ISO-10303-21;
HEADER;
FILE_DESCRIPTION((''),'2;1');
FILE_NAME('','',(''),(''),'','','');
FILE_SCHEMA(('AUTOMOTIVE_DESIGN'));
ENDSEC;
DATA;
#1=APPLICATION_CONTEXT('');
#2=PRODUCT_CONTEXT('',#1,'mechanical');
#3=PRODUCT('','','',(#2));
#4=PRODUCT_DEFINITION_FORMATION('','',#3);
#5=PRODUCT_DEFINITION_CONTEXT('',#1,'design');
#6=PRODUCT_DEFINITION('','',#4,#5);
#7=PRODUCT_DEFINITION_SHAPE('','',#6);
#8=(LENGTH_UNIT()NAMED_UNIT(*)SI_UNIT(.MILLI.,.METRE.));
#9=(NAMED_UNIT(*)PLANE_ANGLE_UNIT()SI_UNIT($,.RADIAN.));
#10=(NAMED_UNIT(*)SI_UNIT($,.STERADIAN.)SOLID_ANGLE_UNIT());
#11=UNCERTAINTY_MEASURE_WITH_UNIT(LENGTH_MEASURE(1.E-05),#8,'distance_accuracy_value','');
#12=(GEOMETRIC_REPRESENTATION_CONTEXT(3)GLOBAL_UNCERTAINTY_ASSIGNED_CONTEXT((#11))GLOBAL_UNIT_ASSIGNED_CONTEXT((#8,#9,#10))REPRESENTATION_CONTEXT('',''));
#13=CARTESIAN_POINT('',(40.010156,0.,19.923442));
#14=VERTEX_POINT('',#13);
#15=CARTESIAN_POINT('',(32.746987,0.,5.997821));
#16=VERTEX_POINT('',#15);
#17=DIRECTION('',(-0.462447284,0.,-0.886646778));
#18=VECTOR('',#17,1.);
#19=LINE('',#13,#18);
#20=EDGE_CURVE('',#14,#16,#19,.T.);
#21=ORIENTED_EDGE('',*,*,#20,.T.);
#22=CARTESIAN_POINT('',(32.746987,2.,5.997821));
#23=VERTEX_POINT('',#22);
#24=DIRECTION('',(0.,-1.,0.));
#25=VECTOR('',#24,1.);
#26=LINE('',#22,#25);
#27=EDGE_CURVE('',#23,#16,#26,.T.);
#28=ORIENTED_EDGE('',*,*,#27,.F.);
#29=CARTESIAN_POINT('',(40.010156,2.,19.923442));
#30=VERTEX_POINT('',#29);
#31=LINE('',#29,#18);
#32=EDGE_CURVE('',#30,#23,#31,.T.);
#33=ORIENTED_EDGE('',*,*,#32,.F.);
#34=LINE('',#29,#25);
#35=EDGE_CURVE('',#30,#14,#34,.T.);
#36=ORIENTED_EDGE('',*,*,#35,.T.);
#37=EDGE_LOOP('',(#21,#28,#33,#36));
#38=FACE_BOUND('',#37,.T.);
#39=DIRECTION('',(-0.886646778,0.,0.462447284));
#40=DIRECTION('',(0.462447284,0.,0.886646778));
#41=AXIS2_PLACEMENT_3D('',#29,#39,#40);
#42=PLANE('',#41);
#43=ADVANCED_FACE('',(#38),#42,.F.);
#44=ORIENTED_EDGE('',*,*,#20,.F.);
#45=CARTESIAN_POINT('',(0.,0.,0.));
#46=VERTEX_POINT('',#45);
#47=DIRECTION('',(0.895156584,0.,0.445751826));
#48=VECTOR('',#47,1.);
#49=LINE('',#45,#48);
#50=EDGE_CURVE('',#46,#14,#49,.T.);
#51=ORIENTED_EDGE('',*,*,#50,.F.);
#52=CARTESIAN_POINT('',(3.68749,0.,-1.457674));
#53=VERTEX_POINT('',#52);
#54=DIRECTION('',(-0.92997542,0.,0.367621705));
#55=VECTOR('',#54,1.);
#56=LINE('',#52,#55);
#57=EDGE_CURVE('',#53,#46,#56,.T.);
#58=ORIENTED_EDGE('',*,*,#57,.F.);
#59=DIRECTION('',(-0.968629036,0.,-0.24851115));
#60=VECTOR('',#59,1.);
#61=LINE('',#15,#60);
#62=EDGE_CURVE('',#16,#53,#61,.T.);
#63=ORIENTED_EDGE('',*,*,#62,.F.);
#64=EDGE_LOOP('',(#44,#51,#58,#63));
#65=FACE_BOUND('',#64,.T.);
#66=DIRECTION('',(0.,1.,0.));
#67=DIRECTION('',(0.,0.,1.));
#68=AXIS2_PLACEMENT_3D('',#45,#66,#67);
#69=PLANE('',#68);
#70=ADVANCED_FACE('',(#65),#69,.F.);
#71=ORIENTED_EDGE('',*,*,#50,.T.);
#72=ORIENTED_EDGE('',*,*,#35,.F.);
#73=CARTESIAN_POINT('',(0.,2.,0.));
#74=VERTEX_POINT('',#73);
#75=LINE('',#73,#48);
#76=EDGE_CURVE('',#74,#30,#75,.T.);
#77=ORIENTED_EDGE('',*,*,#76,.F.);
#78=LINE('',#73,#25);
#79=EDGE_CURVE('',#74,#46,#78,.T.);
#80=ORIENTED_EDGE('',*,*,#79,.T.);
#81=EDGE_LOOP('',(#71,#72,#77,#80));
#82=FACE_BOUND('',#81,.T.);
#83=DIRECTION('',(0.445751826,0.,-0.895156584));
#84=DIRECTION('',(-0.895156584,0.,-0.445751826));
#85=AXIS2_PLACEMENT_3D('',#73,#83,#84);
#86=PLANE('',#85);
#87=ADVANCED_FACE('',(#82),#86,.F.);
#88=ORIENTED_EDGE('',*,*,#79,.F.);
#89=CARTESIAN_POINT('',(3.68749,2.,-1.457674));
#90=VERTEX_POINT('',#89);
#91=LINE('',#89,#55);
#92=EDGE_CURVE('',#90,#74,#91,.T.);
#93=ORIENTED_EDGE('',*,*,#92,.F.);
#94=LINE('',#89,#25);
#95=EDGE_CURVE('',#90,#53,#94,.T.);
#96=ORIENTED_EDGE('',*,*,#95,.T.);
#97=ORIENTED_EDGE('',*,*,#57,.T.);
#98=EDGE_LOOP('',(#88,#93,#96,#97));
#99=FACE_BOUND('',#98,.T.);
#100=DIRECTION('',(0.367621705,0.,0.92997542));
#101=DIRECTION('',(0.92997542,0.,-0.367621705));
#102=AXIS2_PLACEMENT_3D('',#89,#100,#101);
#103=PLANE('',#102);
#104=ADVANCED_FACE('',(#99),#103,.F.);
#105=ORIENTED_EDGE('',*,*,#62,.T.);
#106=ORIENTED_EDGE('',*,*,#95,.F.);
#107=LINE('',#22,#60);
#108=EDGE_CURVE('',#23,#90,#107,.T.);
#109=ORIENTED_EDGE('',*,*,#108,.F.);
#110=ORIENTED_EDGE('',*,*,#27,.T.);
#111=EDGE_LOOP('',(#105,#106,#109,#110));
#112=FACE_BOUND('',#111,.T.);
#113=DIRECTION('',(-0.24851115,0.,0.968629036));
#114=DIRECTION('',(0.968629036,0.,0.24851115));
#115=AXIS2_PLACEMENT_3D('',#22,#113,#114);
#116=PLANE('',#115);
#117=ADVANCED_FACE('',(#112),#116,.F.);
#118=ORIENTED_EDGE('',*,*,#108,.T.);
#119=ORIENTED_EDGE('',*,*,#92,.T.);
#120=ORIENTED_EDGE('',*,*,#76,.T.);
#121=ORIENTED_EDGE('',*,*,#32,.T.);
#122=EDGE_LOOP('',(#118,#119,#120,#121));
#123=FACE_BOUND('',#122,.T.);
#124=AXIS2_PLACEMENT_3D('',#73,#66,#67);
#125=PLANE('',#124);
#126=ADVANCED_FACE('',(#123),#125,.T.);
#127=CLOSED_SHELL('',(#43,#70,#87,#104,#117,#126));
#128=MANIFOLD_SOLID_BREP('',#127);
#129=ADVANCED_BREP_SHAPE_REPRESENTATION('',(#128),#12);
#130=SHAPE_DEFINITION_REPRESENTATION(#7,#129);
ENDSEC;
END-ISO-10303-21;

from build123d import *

# Parameters (mm, degrees)
BOSS_EXTRU_1_DEPTH = 2


with BuildPart() as part:
    # Esquisse1 → Boss.-Extru.1 (new body)
    with BuildSketch(Plane(origin=(0, 0, 0), x_dir=(1, 0, 0), z_dir=(0, 1, 0))):
        Polygon((32.74698681, -5.997820849), (3.687489672, 1.457674269), (0, 0), (40.010156038, -19.923441822), align=None)
    extrude(amount=BOSS_EXTRU_1_DEPTH)


solid = part.part
